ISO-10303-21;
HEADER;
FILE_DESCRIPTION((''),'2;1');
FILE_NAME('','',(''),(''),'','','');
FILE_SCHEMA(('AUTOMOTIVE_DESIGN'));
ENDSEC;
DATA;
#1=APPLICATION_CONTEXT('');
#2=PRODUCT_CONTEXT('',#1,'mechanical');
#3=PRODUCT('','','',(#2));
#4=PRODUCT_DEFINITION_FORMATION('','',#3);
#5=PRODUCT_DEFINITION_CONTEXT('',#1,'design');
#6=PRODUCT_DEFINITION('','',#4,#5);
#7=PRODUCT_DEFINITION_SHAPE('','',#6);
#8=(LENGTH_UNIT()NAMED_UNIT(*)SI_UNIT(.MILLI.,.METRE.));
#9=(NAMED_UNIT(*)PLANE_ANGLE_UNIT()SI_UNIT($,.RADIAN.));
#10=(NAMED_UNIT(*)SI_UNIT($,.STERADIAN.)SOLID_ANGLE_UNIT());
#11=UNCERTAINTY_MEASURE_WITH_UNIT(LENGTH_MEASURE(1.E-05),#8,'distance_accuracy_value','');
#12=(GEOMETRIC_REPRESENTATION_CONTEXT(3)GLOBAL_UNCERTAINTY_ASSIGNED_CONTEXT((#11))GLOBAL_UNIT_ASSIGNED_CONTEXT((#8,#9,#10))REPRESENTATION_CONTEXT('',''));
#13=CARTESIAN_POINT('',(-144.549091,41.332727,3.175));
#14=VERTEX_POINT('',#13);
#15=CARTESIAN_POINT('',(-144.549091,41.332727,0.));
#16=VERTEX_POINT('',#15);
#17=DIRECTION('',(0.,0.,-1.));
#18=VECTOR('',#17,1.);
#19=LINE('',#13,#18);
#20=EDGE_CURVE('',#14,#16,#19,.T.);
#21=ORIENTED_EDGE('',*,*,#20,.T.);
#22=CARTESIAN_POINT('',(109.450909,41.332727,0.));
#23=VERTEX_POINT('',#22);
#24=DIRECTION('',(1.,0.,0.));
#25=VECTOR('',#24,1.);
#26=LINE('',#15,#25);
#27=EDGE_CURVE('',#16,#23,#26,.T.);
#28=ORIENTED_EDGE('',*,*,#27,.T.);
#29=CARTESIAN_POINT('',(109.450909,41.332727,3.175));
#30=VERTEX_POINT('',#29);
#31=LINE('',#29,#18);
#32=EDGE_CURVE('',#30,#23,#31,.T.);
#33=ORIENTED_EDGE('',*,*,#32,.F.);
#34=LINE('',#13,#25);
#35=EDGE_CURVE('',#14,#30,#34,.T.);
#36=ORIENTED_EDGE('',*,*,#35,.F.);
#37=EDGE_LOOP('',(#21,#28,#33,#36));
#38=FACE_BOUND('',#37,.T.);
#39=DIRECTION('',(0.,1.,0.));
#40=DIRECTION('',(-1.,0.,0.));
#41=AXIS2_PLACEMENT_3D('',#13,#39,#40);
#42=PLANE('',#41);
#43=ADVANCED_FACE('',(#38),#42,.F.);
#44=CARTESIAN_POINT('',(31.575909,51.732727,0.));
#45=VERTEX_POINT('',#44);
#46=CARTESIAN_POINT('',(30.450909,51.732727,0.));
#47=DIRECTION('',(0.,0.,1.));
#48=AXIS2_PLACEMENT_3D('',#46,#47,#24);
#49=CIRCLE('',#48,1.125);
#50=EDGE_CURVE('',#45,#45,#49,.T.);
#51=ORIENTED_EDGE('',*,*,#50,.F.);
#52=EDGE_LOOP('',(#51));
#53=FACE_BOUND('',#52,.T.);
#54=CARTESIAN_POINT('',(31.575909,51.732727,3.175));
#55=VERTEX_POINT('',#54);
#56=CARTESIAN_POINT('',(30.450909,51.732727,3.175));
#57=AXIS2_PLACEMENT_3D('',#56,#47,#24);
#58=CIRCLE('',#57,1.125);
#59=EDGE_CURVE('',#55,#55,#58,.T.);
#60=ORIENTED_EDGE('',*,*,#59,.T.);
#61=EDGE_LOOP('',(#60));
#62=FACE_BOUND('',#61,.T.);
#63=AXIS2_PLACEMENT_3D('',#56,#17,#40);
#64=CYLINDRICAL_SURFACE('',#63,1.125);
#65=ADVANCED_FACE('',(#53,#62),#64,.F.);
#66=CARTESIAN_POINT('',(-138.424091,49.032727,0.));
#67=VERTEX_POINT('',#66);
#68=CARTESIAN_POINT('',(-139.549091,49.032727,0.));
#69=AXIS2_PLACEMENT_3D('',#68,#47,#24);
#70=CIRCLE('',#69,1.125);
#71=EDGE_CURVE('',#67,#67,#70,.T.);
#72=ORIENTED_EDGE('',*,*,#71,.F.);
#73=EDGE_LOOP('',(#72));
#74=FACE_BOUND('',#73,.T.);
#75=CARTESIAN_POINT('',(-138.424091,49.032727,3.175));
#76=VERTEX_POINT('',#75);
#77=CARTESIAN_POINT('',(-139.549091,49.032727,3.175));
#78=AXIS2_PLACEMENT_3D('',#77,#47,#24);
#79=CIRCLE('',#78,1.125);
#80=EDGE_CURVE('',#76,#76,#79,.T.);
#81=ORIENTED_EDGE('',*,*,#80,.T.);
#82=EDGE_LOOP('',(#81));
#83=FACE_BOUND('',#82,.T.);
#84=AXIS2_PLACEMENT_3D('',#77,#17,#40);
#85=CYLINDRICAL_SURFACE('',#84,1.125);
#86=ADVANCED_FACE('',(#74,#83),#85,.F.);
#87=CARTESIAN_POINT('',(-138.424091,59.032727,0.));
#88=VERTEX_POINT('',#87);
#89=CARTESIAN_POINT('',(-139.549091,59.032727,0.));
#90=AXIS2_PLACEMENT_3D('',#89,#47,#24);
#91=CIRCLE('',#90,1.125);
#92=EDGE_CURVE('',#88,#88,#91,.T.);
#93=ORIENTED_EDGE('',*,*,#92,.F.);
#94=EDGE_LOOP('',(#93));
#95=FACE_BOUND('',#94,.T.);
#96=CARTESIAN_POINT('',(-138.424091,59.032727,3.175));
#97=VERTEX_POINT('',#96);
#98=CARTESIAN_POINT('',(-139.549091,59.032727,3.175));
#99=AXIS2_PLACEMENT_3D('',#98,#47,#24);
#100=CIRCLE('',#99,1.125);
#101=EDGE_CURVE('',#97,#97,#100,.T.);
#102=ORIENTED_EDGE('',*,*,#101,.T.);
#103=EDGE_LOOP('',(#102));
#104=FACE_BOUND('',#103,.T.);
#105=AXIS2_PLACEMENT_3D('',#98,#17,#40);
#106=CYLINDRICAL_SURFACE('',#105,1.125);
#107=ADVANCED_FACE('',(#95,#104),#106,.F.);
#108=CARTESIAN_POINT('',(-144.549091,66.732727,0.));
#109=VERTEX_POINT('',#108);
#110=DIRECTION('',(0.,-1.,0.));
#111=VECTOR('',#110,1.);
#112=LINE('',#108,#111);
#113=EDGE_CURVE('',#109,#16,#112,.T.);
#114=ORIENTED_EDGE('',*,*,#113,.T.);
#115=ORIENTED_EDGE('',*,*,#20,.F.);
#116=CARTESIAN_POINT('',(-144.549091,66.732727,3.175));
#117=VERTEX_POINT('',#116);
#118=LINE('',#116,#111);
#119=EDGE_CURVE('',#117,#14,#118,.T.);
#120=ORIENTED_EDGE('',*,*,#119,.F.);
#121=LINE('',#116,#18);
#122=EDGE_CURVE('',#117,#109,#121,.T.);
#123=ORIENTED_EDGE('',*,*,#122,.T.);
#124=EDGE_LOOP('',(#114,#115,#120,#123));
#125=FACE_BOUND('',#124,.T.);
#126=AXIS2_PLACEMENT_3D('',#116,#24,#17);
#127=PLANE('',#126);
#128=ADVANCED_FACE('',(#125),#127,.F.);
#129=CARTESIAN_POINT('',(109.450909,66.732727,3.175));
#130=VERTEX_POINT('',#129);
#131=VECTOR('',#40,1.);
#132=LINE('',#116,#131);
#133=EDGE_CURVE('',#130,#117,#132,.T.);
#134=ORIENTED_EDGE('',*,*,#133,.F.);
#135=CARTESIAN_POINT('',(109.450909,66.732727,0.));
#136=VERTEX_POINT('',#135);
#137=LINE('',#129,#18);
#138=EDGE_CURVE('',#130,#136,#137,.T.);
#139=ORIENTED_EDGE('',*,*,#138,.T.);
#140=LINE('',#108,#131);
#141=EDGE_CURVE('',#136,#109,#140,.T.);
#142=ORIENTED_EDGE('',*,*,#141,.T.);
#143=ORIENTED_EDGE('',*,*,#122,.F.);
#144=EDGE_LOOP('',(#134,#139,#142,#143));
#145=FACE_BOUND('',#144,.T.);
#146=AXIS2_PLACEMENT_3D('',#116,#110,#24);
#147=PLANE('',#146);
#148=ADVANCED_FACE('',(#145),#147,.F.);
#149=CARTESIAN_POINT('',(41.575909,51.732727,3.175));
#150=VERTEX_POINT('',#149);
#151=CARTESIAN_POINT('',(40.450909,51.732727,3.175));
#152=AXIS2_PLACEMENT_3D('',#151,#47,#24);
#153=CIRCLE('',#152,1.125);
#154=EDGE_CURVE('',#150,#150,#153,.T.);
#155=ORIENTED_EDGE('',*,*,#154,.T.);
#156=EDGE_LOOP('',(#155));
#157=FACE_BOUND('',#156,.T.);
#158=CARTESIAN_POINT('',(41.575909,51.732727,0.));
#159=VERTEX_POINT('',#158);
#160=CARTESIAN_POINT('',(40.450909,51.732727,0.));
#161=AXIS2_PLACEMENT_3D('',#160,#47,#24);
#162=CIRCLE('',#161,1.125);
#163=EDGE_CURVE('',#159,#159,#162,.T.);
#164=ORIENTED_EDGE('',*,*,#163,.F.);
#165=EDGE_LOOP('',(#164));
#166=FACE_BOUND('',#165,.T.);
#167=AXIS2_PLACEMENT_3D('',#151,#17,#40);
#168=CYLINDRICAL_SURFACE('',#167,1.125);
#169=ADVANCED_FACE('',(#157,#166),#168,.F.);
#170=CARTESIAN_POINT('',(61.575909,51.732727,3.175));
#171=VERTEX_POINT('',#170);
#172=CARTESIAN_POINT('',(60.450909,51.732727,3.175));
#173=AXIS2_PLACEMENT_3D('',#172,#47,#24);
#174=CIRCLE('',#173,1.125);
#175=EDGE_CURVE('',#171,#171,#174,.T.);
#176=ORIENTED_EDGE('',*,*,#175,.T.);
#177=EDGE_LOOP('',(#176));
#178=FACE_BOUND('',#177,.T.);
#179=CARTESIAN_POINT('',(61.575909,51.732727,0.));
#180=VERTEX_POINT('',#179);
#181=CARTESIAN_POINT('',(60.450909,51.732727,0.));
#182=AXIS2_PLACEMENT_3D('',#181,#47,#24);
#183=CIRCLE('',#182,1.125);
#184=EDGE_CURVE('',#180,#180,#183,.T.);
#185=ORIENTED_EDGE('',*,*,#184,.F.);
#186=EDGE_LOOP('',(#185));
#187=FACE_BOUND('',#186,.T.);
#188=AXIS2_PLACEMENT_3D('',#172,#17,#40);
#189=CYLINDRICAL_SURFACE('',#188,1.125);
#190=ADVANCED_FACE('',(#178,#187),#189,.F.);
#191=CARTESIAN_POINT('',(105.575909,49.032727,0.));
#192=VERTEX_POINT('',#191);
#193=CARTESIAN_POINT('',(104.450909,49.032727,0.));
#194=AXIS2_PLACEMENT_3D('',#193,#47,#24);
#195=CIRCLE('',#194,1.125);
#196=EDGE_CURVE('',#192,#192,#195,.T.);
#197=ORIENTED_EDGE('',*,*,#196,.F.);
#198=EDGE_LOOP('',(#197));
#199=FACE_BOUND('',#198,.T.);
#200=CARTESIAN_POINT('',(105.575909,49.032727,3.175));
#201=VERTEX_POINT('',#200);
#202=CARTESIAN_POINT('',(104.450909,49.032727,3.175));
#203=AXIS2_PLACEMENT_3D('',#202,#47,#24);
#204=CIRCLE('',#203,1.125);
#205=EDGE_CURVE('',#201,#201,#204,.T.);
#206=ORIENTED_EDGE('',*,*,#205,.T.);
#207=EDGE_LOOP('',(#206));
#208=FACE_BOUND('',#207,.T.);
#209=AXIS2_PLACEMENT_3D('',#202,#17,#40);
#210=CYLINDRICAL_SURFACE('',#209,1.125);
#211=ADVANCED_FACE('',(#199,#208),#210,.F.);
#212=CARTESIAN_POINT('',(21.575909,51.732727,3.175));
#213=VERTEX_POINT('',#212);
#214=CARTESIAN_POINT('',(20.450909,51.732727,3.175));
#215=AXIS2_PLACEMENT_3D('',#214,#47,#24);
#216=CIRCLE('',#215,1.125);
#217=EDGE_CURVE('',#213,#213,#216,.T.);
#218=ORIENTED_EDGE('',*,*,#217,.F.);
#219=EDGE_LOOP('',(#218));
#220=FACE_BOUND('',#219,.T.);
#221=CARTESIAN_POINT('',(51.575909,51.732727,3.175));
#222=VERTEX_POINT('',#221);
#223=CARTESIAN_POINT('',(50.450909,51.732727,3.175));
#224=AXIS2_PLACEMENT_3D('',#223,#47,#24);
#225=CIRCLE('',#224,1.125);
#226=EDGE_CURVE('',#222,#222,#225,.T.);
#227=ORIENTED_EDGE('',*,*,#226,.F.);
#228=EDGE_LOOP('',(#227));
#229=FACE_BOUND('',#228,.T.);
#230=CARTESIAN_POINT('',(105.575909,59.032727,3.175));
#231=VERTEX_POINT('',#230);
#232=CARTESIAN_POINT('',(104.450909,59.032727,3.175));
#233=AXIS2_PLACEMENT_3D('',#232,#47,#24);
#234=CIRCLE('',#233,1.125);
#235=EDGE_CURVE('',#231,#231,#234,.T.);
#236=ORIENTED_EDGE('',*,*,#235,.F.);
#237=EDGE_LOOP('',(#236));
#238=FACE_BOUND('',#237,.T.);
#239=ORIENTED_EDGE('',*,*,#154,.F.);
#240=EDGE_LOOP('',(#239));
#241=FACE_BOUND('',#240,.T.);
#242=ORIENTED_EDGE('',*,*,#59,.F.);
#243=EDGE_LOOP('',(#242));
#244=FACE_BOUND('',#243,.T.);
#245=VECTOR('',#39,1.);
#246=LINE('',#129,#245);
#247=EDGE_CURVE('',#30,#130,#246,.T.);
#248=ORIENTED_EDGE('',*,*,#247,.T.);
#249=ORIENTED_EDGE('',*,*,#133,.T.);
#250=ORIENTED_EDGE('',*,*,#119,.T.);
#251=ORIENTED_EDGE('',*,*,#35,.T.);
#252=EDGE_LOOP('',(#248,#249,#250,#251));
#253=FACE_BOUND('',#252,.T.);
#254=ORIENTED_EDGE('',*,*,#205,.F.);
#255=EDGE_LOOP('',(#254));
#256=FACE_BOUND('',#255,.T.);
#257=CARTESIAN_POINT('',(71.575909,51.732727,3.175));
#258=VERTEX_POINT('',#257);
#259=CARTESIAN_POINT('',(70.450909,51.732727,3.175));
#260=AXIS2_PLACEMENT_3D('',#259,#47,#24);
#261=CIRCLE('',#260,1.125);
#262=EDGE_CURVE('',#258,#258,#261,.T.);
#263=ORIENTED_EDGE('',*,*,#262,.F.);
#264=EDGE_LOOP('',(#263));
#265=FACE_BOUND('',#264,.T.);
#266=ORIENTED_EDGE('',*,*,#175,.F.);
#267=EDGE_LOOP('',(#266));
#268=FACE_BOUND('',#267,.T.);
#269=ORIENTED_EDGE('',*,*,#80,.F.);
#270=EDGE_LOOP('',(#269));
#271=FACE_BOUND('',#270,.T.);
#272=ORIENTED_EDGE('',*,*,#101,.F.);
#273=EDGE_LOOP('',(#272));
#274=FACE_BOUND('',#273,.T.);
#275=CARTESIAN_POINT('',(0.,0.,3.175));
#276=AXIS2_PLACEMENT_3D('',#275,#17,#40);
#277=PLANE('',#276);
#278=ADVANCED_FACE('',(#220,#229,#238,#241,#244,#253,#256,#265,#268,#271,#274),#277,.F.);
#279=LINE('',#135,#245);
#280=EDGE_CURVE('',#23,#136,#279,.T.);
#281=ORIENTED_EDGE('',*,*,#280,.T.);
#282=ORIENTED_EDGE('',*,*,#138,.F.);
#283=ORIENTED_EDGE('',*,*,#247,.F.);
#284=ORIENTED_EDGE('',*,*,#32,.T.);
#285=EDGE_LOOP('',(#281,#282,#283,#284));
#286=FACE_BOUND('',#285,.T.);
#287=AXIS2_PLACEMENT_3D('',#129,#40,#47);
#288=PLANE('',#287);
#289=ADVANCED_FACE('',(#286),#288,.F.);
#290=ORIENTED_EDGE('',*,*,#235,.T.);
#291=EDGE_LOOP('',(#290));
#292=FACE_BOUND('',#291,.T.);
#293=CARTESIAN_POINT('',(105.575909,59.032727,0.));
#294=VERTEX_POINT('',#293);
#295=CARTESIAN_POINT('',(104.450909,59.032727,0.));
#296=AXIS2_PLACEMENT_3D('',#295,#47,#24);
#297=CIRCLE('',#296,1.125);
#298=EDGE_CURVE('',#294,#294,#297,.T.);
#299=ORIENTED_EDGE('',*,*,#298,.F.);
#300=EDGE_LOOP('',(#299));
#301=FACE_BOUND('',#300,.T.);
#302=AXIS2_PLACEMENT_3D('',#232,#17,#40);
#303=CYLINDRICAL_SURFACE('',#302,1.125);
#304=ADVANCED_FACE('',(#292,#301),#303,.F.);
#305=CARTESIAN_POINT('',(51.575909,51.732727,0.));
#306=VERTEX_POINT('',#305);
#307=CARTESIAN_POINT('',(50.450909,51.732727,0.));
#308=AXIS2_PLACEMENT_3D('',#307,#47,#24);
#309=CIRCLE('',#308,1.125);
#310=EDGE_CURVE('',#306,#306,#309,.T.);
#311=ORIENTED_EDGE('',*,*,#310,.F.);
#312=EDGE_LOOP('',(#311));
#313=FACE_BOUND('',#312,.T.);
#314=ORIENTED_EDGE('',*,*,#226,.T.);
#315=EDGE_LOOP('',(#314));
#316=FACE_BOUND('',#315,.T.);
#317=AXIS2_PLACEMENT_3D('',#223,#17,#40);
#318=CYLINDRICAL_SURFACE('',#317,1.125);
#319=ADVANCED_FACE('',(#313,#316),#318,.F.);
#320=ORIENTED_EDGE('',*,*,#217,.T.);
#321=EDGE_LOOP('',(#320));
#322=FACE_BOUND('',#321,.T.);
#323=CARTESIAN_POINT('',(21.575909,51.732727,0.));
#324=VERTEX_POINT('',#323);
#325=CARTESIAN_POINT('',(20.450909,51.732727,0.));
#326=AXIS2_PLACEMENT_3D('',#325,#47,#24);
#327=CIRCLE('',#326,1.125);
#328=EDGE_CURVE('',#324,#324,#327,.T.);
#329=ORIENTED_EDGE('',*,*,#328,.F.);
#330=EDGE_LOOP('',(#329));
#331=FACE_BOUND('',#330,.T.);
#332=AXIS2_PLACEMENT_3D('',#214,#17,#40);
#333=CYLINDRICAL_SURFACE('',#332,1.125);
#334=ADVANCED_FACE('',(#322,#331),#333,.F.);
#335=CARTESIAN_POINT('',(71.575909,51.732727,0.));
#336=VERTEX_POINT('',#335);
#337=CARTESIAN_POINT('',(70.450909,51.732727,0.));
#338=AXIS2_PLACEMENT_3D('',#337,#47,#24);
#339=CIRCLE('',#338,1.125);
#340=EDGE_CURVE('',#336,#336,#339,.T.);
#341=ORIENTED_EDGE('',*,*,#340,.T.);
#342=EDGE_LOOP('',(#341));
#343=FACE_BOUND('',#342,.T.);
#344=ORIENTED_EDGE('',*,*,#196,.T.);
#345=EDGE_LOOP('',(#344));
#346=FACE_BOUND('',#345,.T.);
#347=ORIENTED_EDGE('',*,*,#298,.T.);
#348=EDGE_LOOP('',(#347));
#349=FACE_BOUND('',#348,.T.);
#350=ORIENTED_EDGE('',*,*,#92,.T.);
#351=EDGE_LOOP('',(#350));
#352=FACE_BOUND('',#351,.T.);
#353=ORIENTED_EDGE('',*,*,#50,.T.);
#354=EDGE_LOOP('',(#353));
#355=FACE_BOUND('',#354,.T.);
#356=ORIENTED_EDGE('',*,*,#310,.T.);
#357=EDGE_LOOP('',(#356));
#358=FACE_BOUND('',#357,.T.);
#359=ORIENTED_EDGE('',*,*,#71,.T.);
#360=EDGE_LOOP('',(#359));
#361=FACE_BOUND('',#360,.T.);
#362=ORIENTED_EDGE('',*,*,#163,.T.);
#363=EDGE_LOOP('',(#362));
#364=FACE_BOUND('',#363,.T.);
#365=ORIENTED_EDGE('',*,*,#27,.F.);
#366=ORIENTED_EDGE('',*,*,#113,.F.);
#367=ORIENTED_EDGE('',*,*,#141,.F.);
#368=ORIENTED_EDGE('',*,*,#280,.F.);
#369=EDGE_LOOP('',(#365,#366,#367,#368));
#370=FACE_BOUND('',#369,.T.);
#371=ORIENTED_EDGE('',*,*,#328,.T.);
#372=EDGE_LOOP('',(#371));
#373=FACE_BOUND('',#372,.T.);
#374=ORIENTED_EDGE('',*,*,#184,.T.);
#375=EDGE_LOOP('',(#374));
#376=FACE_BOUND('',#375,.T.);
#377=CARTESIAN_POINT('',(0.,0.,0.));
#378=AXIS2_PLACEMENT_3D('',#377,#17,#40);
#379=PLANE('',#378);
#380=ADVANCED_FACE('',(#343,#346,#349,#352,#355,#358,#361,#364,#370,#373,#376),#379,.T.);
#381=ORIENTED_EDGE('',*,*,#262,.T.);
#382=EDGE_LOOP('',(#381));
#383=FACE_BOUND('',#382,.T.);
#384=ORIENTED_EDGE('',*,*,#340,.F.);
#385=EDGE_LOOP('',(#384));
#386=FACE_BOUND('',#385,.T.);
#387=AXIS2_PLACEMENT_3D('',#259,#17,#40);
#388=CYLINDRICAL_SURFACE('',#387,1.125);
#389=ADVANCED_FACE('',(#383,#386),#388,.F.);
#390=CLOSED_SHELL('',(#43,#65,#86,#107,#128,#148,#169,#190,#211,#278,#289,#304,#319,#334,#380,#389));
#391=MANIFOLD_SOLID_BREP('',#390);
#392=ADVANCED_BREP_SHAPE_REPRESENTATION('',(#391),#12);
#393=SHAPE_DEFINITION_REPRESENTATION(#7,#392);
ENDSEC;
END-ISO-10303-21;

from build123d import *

# Parameters (mm, degrees)
SKETCH1_W           = 254
SKETCH1_H           = 25.4
SKETCH1_R           = 1.125
BOSS_EXTRUDE1_DEPTH = 3.175


with BuildPart() as part:
    # Sketch1 → Boss-Extrude1 (new body)
    with BuildSketch(Plane.XY):
        with Locations((-17.549090909, 54.032727273)):
            Rectangle(SKETCH1_W, SKETCH1_H)
        with Locations((-139.549090909, 59.032727273)):
            Circle(SKETCH1_R, mode=Mode.SUBTRACT)
        with Locations((-139.549090909, 49.032727273)):
            Circle(SKETCH1_R, mode=Mode.SUBTRACT)
        with Locations((104.450909091, 59.032727273)):
            Circle(SKETCH1_R, mode=Mode.SUBTRACT)
        with Locations((104.450909091, 49.032727273)):
            Circle(SKETCH1_R, mode=Mode.SUBTRACT)
        with Locations((20.450909091, 51.732727273)):
            Circle(SKETCH1_R, mode=Mode.SUBTRACT)
        with Locations((30.450909091, 51.732727273)):
            Circle(SKETCH1_R, mode=Mode.SUBTRACT)
        with Locations((40.450909091, 51.732727273)):
            Circle(SKETCH1_R, mode=Mode.SUBTRACT)
        with Locations((50.450909091, 51.732727273)):
            Circle(SKETCH1_R, mode=Mode.SUBTRACT)
        with Locations((60.450909091, 51.732727273)):
            Circle(SKETCH1_R, mode=Mode.SUBTRACT)
        with Locations((70.450909091, 51.732727273)):
            Circle(SKETCH1_R, mode=Mode.SUBTRACT)
    extrude(amount=BOSS_EXTRUDE1_DEPTH)


solid = part.part
